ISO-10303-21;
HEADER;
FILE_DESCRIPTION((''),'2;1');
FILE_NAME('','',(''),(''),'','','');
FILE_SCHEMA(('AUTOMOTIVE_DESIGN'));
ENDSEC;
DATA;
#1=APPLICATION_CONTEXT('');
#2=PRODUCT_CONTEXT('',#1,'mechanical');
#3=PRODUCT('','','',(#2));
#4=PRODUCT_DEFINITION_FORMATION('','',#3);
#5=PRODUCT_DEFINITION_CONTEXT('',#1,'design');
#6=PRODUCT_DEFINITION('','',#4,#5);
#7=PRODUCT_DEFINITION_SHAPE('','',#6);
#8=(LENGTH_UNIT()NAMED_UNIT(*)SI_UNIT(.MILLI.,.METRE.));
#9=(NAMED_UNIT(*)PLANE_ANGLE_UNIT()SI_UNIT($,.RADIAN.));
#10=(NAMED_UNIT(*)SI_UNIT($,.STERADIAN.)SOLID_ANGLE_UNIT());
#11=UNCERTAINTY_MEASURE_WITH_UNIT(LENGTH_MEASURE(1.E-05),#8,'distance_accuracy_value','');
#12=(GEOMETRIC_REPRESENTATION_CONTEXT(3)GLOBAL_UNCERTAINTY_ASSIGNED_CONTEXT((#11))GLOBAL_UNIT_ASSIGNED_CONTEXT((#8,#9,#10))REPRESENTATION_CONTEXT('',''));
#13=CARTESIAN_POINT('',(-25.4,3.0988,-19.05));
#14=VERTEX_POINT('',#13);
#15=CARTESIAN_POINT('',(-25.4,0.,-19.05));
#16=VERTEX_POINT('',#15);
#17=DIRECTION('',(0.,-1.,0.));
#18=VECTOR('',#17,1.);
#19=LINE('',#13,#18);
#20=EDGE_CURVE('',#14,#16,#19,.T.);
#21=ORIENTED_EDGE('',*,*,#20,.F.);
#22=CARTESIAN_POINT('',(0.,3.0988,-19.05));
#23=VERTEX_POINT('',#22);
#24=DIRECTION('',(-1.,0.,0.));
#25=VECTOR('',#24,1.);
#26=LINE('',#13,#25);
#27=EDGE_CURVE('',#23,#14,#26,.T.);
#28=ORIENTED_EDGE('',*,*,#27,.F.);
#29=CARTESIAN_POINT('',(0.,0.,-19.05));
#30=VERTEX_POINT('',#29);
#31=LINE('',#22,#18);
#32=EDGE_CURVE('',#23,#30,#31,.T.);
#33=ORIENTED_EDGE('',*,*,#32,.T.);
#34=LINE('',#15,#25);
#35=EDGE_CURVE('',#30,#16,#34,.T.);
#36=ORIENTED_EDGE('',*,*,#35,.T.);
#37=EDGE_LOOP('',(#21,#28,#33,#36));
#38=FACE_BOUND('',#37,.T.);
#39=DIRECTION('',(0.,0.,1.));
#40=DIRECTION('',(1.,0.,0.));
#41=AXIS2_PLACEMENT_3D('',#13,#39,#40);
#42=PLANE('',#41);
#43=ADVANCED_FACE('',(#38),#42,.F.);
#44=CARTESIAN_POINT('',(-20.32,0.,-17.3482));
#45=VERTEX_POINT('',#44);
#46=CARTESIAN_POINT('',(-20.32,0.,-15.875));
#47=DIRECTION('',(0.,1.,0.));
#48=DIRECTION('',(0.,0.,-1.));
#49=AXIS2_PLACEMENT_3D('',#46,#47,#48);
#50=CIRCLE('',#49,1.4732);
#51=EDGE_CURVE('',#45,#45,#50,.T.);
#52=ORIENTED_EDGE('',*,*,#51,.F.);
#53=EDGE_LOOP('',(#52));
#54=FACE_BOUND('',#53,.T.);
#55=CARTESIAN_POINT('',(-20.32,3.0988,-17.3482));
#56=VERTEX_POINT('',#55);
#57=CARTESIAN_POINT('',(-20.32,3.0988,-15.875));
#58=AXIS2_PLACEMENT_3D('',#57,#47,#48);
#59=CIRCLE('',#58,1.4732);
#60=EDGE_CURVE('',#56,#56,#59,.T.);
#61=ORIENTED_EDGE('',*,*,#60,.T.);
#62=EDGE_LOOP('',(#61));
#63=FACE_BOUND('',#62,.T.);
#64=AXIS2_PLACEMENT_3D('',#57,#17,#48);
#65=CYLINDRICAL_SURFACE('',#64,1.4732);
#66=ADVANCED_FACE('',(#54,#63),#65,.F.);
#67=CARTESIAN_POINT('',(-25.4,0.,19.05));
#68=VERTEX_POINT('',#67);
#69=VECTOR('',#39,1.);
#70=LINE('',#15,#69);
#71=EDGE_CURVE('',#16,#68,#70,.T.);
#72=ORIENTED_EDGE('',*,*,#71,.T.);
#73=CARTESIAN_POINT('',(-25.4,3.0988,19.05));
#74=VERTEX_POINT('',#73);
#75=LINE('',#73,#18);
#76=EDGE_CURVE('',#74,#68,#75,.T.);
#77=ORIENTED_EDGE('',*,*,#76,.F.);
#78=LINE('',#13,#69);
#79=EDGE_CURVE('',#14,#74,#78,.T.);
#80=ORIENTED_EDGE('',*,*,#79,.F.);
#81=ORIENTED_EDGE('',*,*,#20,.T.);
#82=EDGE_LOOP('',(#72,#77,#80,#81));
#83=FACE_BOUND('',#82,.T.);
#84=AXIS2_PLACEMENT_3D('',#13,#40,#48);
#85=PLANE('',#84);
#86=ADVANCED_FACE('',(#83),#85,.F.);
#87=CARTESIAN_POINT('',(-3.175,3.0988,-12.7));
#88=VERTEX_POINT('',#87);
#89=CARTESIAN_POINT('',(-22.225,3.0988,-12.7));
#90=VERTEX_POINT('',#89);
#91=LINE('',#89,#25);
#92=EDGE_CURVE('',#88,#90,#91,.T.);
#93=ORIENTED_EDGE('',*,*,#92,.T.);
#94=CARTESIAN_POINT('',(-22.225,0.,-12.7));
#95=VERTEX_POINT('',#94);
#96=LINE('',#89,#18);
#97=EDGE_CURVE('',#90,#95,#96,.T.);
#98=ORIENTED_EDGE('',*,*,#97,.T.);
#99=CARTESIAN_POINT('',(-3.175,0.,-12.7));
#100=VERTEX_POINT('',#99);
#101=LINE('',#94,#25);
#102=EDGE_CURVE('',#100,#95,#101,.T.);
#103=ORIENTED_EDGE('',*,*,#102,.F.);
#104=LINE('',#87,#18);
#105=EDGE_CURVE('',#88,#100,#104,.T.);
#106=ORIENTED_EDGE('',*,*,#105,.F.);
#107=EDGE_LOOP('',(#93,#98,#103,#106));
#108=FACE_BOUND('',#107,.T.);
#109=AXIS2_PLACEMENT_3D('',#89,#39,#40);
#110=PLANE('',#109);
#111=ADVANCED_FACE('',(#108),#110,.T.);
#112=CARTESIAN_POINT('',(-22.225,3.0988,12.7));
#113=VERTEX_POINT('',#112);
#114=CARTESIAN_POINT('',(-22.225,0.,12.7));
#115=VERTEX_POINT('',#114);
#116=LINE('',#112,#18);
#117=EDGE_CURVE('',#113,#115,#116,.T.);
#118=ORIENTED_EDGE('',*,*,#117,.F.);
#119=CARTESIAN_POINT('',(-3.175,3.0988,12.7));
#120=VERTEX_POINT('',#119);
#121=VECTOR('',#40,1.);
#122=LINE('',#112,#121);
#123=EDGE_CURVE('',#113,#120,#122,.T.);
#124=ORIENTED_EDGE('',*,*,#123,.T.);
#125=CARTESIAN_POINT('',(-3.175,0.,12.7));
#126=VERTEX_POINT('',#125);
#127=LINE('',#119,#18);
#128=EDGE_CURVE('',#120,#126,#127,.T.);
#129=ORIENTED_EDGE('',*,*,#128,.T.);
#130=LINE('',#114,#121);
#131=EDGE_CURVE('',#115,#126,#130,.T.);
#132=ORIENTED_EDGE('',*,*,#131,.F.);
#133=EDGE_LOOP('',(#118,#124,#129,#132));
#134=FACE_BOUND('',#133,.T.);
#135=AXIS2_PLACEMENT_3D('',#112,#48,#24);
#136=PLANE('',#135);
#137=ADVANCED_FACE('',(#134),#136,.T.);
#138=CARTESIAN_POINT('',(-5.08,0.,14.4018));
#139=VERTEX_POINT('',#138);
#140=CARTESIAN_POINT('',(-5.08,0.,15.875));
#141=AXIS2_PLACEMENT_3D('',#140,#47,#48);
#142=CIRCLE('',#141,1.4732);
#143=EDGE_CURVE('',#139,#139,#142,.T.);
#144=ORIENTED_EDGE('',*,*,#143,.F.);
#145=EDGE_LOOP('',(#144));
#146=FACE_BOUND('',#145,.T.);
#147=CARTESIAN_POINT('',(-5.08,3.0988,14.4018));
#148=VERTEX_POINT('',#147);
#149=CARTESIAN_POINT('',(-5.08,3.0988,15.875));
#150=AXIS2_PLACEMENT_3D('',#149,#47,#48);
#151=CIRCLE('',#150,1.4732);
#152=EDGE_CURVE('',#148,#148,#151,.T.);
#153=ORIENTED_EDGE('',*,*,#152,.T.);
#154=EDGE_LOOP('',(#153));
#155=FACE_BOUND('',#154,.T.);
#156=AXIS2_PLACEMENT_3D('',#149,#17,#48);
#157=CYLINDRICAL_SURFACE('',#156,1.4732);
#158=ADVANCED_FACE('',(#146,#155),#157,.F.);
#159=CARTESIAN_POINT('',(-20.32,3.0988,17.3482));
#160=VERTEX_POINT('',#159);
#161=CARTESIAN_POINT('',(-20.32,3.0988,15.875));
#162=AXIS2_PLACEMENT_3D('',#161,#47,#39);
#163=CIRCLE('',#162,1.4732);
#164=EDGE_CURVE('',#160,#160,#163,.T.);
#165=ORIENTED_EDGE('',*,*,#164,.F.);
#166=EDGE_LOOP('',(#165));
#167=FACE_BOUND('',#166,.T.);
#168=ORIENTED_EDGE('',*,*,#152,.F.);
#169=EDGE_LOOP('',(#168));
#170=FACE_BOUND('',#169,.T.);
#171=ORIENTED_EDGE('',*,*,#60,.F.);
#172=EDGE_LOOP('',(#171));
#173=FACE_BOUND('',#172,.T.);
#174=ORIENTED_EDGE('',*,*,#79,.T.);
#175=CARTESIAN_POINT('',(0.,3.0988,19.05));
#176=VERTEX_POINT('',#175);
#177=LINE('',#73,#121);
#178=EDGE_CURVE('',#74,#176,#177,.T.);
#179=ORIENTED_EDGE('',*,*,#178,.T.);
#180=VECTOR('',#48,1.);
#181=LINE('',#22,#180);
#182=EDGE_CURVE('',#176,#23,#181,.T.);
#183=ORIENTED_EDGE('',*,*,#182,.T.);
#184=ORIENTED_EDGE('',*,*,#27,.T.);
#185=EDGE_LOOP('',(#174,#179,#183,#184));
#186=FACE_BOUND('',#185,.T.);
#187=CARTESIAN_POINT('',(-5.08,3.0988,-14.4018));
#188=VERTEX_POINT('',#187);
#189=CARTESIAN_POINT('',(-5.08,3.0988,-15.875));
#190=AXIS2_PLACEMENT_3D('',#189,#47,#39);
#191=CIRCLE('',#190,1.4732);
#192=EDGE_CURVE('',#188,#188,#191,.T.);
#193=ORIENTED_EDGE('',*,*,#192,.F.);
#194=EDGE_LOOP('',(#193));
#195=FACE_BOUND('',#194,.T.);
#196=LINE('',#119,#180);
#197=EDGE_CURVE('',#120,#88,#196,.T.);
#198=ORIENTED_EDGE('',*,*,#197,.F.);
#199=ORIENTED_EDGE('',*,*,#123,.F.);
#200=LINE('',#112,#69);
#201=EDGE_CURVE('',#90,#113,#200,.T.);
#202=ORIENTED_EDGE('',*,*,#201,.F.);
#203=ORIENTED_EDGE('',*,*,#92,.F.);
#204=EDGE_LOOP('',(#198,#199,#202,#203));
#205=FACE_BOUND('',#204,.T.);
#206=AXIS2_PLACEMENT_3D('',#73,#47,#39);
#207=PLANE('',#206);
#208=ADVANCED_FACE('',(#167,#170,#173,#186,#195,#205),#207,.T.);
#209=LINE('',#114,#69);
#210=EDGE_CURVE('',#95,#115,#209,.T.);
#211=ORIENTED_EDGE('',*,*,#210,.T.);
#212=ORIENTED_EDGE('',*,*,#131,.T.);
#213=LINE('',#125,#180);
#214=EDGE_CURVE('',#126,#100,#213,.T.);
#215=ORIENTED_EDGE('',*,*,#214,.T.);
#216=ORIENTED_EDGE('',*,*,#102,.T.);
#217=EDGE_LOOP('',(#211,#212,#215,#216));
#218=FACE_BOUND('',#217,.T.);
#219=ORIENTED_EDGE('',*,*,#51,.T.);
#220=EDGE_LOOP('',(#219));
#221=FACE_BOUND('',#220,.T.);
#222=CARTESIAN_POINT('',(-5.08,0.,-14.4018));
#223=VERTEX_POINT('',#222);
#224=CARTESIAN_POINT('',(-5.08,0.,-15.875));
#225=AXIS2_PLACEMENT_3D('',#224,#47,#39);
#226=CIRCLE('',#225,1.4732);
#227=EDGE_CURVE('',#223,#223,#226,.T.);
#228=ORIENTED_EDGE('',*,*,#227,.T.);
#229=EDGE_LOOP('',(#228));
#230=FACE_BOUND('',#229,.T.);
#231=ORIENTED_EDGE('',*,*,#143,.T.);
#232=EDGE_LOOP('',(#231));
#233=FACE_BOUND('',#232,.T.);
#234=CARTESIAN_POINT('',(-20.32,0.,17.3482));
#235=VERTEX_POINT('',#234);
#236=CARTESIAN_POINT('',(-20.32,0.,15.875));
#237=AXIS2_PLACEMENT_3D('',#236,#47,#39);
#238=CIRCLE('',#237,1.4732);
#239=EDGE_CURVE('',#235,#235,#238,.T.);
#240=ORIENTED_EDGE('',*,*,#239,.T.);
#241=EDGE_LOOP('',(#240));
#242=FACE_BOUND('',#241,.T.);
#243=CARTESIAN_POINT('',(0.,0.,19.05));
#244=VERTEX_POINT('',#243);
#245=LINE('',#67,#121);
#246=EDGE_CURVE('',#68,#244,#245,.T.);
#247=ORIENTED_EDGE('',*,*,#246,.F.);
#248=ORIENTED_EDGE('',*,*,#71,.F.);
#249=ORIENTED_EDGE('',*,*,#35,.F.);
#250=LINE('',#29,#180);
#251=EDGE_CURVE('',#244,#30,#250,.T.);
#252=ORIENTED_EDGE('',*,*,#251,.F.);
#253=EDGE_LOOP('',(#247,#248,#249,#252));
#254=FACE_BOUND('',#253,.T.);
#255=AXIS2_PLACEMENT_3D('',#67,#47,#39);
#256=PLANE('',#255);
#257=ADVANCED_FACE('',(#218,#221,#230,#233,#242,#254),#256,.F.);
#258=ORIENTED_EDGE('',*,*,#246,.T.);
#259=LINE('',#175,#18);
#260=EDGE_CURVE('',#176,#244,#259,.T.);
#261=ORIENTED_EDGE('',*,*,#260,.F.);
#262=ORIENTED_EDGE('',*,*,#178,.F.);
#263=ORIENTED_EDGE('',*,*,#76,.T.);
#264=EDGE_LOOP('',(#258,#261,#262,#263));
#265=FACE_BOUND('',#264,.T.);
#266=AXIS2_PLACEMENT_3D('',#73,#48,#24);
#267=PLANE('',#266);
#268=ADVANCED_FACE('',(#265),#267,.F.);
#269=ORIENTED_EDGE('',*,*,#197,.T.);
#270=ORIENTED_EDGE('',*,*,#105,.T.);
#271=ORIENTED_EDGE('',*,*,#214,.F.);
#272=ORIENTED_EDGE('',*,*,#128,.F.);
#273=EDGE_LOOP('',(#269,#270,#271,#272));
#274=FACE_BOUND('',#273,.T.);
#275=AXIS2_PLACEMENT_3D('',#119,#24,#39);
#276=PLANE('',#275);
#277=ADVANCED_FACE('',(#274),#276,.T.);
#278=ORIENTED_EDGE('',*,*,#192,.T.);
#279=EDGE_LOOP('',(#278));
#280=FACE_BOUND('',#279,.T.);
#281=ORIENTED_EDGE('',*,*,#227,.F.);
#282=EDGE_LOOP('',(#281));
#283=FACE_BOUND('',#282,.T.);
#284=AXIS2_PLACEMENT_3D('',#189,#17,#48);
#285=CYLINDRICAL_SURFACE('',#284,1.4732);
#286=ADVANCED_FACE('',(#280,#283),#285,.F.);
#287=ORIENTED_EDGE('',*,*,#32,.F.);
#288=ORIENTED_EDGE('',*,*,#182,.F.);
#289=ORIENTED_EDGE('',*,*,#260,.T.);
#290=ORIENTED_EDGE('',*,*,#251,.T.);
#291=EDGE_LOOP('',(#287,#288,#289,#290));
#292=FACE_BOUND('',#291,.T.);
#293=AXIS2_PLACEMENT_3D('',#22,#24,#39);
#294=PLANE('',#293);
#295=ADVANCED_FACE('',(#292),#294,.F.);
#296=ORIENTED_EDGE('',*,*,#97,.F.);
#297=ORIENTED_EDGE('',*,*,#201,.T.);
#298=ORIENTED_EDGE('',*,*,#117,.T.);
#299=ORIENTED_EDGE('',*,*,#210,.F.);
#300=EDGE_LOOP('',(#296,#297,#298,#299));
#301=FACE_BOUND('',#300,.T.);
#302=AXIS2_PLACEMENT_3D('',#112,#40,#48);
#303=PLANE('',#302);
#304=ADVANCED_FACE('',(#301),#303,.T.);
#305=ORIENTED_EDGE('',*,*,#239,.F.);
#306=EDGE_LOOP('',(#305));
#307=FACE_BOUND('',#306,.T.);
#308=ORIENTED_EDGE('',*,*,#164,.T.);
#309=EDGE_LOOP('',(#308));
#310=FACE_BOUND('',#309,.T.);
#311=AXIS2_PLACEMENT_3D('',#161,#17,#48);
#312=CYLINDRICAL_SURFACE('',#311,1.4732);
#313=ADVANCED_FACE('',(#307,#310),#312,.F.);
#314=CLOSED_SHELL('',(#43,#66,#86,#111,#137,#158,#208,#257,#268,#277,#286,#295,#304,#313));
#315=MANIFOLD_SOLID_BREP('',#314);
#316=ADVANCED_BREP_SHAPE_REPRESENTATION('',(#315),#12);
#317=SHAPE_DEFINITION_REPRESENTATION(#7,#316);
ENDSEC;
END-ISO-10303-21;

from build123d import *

# Parameters (mm, degrees)
SKETCH1_W           = 25.4
SKETCH1_H           = 38.1
SKETCH1_R           = 1.4732
SKETCH1_W_2         = 19.05
SKETCH1_H_2         = 25.4
BOSS_EXTRUDE1_DEPTH = 3.0988


with BuildPart() as part:
    # Sketch1 → Boss-Extrude1 (new body)
    with BuildSketch(Plane(origin=(0, 0, 0), x_dir=(1, 0, 0), z_dir=(0, 1, 0))):
        with Locations((-12.7, 0)):
            Rectangle(SKETCH1_W, SKETCH1_H)
        with Locations((-5.08, 15.875)):
            Circle(SKETCH1_R, mode=Mode.SUBTRACT)
        with Locations((-20.32, -15.875)):
            Circle(SKETCH1_R, mode=Mode.SUBTRACT)
        with Locations((-20.32, 15.875)):
            Circle(SKETCH1_R, mode=Mode.SUBTRACT)
        with Locations((-5.08, -15.875)):
            Circle(SKETCH1_R, mode=Mode.SUBTRACT)
        with Locations((-12.7, 0)):
            Rectangle(SKETCH1_W_2, SKETCH1_H_2, mode=Mode.SUBTRACT)
    extrude(amount=BOSS_EXTRUDE1_DEPTH)


solid = part.part
